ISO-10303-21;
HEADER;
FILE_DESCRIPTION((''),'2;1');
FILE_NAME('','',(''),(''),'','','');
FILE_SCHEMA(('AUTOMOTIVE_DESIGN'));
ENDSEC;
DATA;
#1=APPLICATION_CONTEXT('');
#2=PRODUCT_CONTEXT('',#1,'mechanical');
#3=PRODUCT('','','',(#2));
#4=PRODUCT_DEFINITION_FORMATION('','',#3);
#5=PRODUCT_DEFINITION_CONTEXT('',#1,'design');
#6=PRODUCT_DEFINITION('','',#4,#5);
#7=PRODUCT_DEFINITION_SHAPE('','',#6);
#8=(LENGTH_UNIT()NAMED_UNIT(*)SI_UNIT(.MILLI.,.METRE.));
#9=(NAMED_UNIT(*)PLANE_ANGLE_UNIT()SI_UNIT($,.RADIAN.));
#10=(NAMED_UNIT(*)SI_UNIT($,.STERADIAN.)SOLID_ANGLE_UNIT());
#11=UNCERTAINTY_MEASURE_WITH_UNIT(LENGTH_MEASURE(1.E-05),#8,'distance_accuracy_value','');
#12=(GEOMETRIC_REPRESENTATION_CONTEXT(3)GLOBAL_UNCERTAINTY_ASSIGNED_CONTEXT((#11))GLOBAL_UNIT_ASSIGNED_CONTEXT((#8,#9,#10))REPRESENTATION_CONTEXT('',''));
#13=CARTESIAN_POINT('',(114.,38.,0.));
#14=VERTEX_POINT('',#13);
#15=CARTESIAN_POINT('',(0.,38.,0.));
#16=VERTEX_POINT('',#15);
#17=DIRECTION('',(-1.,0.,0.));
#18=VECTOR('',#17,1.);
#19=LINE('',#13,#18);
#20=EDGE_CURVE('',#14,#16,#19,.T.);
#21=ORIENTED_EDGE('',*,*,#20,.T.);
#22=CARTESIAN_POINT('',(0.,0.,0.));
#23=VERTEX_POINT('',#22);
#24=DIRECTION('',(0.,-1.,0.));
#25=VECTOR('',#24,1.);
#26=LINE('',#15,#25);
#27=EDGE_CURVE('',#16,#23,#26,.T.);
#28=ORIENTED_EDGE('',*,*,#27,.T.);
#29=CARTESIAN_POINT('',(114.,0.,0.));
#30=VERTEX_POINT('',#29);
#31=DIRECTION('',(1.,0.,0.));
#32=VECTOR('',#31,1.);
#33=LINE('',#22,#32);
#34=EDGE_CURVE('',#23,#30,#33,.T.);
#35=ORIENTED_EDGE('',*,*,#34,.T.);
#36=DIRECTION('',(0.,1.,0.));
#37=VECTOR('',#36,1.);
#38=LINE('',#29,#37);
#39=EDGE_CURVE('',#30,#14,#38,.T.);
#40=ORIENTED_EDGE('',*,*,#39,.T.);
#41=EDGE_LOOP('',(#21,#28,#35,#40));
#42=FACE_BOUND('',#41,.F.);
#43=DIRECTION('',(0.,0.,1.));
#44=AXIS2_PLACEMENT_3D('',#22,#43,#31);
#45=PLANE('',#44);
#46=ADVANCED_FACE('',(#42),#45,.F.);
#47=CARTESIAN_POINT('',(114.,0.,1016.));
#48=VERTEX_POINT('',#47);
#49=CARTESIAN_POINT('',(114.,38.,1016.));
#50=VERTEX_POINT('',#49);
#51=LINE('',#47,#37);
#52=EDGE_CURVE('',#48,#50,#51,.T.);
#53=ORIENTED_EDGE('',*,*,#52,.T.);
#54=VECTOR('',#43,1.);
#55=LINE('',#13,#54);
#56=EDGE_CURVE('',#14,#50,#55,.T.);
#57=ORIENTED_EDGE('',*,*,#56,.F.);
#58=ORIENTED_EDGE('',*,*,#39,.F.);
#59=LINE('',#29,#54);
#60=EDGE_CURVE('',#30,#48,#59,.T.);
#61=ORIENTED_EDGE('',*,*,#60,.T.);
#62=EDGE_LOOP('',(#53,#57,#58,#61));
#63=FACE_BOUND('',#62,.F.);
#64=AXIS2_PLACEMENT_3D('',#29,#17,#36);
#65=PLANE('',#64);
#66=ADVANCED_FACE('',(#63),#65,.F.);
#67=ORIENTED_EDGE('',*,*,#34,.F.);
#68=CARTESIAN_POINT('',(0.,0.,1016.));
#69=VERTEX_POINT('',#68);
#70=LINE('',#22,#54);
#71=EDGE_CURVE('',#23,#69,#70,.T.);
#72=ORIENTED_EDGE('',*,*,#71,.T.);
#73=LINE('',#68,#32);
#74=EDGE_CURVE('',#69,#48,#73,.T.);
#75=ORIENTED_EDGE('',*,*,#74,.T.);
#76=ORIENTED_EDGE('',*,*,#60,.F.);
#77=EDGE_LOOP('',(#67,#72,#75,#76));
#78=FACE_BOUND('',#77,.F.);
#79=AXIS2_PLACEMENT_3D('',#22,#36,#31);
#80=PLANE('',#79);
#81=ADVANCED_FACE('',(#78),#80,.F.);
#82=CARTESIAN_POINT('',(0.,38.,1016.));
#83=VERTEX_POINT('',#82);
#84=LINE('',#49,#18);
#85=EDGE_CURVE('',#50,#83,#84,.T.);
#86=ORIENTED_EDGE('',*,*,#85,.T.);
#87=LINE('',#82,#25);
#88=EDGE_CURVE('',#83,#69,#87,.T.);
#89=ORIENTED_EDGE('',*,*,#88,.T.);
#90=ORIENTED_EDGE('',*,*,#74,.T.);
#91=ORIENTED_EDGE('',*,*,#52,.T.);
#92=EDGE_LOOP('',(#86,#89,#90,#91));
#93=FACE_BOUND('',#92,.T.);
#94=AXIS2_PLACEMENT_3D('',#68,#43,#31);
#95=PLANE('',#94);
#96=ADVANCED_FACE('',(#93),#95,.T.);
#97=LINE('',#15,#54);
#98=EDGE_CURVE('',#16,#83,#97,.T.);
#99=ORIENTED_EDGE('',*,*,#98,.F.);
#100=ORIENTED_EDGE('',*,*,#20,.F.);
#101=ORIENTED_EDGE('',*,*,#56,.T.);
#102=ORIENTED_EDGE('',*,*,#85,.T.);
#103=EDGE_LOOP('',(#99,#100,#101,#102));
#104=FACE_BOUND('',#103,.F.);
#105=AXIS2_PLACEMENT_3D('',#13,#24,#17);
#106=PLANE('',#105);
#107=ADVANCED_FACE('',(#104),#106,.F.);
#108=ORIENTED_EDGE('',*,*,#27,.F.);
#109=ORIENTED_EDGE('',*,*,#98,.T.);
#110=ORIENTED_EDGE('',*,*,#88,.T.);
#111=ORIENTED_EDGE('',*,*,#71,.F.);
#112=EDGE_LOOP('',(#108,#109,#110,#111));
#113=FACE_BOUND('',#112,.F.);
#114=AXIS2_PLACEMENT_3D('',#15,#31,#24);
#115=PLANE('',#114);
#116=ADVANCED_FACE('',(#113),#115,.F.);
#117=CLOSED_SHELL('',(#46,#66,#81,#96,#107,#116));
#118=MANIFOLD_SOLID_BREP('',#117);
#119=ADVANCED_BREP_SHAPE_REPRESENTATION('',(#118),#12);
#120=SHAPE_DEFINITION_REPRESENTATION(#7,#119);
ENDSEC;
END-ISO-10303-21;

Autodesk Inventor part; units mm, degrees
ref_plane "YZ Plane" through (0, 0, 0) normal (1, 0, 0) x (0, 1, 0)
ref_plane "XZ Plane" through (0, 0, 0) normal (0, 1, 0) x (-1, 0, 0)
ref_plane "XY Plane" through (0, 0, 0) normal (0, 0, 1) x (1, 0, 0)
sketch "Sketch1" plane through (0, 0, 0) normal (0, 0, 1) x (1, 0, 0)
  line L0 (0, 0) -> (114, 0)
  line L1 (114, 0) -> (114, 38)
  line L2 (114, 38) -> (0, 38)
  line L3 (0, 38) -> (0, 0)
  dimension "d0" = 114
  dimension "d1" = 38
extrude "Extrusion1" add sketch "Sketch1" along normal blind 1016
properties part number "1p2poscr" material "Wood (Cherry)"
